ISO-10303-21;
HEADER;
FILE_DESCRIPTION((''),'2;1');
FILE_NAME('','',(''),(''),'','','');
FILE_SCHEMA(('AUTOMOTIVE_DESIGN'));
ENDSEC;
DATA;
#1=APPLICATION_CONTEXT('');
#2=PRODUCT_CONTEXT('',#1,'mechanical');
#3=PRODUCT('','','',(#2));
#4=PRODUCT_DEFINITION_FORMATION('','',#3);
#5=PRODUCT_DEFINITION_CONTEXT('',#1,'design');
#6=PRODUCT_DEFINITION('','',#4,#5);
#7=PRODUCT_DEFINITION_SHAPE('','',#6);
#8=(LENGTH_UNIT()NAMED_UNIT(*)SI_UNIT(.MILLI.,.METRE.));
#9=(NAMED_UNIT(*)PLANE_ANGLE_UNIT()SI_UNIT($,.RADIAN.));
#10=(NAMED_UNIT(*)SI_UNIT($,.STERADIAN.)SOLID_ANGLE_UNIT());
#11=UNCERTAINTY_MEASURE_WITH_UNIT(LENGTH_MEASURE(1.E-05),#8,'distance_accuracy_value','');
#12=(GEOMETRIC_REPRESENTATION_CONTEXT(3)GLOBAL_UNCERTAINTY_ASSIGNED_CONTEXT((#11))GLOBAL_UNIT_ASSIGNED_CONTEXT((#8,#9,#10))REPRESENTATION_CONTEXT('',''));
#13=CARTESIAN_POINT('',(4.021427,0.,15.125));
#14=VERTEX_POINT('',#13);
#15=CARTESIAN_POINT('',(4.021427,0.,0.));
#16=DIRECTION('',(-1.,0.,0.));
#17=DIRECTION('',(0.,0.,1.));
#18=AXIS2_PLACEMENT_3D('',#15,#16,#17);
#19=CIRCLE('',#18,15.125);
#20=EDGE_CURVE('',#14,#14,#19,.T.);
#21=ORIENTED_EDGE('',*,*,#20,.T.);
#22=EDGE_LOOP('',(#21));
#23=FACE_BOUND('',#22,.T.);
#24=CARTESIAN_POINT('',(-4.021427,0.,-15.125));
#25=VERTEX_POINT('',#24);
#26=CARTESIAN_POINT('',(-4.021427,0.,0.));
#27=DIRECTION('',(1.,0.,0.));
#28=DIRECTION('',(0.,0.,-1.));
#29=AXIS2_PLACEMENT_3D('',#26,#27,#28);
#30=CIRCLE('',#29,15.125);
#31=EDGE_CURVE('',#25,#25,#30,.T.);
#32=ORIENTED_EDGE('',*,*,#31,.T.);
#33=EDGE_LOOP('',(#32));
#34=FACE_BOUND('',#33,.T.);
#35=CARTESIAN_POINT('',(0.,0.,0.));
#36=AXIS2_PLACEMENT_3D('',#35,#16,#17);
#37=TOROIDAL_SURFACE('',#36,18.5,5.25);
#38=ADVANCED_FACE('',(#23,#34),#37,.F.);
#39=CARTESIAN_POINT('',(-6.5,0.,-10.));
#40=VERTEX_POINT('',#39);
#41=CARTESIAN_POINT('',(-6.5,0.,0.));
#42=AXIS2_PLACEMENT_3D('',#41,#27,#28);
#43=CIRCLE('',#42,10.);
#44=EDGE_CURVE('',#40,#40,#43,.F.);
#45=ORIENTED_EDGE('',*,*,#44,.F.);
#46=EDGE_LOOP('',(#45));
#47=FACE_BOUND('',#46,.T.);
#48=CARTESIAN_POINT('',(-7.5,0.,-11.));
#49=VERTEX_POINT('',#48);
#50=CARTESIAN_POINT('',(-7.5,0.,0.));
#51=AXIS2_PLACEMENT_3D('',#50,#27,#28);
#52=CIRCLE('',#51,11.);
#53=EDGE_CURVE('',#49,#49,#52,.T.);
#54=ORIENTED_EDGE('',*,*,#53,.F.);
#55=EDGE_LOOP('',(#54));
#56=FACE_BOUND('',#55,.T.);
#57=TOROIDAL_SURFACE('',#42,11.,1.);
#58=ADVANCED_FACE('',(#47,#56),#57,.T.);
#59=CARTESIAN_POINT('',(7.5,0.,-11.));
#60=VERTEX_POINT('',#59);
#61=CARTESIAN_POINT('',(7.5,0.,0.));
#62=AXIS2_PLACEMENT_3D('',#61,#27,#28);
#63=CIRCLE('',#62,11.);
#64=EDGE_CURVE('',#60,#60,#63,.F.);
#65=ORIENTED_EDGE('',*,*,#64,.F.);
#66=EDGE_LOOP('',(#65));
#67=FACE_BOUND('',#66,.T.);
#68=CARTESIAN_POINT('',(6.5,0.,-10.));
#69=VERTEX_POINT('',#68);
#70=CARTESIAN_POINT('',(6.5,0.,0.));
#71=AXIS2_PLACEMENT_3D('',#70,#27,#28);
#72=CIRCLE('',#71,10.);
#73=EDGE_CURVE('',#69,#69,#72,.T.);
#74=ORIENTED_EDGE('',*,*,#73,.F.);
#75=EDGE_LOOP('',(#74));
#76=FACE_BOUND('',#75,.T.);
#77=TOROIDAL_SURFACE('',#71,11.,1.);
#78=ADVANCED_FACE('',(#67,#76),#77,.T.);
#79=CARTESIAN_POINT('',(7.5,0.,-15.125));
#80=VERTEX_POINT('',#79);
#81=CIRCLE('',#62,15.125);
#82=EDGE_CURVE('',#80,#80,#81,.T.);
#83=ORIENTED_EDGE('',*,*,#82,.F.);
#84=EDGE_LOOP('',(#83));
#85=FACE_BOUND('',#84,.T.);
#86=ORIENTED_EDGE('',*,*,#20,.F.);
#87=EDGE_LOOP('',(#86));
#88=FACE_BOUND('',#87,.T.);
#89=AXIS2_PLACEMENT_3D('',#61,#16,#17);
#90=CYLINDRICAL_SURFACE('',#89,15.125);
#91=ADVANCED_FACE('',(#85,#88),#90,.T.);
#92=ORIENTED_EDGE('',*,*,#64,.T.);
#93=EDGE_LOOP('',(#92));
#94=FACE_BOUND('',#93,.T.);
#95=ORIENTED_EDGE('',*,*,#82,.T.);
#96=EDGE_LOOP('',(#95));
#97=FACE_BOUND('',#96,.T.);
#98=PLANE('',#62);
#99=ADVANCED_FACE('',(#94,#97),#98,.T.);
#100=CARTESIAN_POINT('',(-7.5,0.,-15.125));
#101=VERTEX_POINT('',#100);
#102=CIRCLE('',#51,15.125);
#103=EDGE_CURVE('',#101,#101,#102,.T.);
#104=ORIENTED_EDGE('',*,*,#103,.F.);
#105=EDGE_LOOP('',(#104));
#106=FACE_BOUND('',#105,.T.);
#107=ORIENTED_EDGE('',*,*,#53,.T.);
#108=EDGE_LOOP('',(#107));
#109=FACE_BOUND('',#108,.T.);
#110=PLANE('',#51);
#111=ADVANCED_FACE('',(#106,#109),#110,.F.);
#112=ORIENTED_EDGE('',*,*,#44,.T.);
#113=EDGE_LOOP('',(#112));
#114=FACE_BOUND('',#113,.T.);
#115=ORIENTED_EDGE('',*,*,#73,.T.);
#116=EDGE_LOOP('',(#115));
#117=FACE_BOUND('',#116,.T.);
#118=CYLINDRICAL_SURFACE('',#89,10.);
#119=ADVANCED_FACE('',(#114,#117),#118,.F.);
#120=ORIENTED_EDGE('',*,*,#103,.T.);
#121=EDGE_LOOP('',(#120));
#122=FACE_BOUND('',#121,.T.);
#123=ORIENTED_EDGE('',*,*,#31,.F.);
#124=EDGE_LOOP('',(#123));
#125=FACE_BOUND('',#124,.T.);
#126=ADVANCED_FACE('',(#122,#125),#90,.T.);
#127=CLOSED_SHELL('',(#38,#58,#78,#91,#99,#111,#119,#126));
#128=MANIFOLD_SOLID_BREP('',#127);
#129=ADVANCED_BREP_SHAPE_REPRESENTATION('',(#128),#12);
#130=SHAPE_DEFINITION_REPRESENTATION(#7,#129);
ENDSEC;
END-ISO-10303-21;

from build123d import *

# Parameters (mm, degrees)
SKETCH1_R           = 15.125
SKETCH1_R_2         = 10
BOSS_EXTRUDE1_DEPTH = 7.5
SKETCH2_R           = 5.25
FILLET1_R           = 1


with BuildPart() as part:
    # Sketch1 → Boss-Extrude1 (new, symmetric)
    with BuildSketch(Plane(origin=(0, 0, 0), x_dir=(0, 0, -1), z_dir=(1, 0, 0))):
        Circle(SKETCH1_R)
        Circle(SKETCH1_R_2, mode=Mode.SUBTRACT)
    extrude(amount=BOSS_EXTRUDE1_DEPTH, both=True)

    # Sketch2 → Cut-Revolve1 (revolve, cut)
    with BuildSketch(Plane.XY, mode=Mode.PRIVATE) as cut_revolve1_sk:
        with Locations((0, 18.5)):
            Circle(SKETCH2_R)
    revolve(cut_revolve1_sk.sketch.rotate(Axis((0, 0, 0), (1, 0, 0)), 90), axis=Axis((0, 0, 0), (1, 0, 0)), mode=Mode.SUBTRACT)

    # Fillet1
    fillet1_edges = [part.edges().sort_by_distance(p)[0] for p in [
        (-7.5, 0, 10),
        (7.5, 0, 10),
    ]]
    fillet(fillet1_edges, radius=FILLET1_R)


solid = part.part
